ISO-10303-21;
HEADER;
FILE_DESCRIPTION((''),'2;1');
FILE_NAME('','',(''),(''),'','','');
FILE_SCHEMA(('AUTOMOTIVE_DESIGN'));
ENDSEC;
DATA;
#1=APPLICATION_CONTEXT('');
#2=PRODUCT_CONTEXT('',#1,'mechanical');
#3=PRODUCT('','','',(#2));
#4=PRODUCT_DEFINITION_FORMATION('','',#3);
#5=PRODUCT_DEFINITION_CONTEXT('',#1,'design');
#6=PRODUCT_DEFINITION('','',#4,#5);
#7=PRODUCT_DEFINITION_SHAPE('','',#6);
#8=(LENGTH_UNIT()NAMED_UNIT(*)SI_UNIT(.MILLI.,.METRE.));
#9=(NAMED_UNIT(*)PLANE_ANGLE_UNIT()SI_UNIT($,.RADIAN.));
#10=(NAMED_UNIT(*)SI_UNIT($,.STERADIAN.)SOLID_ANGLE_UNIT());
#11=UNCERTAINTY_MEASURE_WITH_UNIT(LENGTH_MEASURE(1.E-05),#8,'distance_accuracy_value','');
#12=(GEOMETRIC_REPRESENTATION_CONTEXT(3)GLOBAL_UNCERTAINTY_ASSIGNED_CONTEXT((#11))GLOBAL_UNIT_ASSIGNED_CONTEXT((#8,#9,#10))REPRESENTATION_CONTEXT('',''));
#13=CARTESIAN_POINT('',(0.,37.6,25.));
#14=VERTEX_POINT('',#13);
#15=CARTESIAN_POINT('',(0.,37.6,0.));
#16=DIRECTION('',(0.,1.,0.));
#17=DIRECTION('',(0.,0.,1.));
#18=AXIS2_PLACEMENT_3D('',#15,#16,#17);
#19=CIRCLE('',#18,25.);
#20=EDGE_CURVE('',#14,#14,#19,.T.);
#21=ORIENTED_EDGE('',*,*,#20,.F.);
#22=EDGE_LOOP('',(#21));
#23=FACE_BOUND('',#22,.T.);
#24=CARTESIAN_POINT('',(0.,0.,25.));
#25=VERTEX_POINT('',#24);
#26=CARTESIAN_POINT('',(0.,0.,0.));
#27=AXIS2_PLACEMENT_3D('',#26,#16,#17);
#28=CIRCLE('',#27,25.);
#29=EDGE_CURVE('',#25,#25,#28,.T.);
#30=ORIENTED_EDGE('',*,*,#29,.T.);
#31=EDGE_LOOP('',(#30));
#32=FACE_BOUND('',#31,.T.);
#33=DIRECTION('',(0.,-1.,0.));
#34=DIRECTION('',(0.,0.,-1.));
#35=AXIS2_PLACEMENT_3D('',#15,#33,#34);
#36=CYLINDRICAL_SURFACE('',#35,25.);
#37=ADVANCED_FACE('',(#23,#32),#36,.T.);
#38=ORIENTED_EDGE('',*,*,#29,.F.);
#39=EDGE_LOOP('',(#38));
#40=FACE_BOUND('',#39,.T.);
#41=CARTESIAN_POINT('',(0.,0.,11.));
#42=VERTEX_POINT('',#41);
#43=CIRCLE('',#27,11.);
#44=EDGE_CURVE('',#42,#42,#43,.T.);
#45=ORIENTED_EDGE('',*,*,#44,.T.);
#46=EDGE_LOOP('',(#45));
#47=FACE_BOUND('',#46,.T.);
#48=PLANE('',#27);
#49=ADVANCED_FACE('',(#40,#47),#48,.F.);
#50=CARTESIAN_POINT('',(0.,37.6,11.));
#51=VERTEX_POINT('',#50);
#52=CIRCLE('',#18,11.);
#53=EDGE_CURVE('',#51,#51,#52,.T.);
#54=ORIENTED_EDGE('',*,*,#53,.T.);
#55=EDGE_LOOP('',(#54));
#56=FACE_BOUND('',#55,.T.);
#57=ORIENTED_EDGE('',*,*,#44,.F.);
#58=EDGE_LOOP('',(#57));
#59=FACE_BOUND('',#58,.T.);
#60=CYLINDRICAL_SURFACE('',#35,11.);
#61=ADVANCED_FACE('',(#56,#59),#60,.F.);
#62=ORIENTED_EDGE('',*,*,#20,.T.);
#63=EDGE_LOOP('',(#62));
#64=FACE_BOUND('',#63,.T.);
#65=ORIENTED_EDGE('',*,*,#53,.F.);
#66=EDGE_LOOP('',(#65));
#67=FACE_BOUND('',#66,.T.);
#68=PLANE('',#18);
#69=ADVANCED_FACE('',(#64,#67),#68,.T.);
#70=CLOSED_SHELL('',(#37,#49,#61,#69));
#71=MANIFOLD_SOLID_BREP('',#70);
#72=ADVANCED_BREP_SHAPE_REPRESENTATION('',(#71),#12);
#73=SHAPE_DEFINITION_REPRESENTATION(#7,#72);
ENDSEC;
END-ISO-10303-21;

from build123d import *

# Parameters (mm, degrees)
SKETCH1_R           = 25
SKETCH1_R_2         = 11
BOSS_EXTRUDE1_DEPTH = 37.6


with BuildPart() as part:
    # Sketch1 → Boss-Extrude1 (new body)
    with BuildSketch(Plane(origin=(0, 0, 0), x_dir=(1, 0, 0), z_dir=(0, 1, 0))):
        with Locations(Location((0, 0, 0), (0, 0, 270))):
            Circle(SKETCH1_R)
        with Locations(Location((0, 0, 0), (0, 0, 270))):
            Circle(SKETCH1_R_2, mode=Mode.SUBTRACT)
    extrude(amount=BOSS_EXTRUDE1_DEPTH)


solid = part.part
